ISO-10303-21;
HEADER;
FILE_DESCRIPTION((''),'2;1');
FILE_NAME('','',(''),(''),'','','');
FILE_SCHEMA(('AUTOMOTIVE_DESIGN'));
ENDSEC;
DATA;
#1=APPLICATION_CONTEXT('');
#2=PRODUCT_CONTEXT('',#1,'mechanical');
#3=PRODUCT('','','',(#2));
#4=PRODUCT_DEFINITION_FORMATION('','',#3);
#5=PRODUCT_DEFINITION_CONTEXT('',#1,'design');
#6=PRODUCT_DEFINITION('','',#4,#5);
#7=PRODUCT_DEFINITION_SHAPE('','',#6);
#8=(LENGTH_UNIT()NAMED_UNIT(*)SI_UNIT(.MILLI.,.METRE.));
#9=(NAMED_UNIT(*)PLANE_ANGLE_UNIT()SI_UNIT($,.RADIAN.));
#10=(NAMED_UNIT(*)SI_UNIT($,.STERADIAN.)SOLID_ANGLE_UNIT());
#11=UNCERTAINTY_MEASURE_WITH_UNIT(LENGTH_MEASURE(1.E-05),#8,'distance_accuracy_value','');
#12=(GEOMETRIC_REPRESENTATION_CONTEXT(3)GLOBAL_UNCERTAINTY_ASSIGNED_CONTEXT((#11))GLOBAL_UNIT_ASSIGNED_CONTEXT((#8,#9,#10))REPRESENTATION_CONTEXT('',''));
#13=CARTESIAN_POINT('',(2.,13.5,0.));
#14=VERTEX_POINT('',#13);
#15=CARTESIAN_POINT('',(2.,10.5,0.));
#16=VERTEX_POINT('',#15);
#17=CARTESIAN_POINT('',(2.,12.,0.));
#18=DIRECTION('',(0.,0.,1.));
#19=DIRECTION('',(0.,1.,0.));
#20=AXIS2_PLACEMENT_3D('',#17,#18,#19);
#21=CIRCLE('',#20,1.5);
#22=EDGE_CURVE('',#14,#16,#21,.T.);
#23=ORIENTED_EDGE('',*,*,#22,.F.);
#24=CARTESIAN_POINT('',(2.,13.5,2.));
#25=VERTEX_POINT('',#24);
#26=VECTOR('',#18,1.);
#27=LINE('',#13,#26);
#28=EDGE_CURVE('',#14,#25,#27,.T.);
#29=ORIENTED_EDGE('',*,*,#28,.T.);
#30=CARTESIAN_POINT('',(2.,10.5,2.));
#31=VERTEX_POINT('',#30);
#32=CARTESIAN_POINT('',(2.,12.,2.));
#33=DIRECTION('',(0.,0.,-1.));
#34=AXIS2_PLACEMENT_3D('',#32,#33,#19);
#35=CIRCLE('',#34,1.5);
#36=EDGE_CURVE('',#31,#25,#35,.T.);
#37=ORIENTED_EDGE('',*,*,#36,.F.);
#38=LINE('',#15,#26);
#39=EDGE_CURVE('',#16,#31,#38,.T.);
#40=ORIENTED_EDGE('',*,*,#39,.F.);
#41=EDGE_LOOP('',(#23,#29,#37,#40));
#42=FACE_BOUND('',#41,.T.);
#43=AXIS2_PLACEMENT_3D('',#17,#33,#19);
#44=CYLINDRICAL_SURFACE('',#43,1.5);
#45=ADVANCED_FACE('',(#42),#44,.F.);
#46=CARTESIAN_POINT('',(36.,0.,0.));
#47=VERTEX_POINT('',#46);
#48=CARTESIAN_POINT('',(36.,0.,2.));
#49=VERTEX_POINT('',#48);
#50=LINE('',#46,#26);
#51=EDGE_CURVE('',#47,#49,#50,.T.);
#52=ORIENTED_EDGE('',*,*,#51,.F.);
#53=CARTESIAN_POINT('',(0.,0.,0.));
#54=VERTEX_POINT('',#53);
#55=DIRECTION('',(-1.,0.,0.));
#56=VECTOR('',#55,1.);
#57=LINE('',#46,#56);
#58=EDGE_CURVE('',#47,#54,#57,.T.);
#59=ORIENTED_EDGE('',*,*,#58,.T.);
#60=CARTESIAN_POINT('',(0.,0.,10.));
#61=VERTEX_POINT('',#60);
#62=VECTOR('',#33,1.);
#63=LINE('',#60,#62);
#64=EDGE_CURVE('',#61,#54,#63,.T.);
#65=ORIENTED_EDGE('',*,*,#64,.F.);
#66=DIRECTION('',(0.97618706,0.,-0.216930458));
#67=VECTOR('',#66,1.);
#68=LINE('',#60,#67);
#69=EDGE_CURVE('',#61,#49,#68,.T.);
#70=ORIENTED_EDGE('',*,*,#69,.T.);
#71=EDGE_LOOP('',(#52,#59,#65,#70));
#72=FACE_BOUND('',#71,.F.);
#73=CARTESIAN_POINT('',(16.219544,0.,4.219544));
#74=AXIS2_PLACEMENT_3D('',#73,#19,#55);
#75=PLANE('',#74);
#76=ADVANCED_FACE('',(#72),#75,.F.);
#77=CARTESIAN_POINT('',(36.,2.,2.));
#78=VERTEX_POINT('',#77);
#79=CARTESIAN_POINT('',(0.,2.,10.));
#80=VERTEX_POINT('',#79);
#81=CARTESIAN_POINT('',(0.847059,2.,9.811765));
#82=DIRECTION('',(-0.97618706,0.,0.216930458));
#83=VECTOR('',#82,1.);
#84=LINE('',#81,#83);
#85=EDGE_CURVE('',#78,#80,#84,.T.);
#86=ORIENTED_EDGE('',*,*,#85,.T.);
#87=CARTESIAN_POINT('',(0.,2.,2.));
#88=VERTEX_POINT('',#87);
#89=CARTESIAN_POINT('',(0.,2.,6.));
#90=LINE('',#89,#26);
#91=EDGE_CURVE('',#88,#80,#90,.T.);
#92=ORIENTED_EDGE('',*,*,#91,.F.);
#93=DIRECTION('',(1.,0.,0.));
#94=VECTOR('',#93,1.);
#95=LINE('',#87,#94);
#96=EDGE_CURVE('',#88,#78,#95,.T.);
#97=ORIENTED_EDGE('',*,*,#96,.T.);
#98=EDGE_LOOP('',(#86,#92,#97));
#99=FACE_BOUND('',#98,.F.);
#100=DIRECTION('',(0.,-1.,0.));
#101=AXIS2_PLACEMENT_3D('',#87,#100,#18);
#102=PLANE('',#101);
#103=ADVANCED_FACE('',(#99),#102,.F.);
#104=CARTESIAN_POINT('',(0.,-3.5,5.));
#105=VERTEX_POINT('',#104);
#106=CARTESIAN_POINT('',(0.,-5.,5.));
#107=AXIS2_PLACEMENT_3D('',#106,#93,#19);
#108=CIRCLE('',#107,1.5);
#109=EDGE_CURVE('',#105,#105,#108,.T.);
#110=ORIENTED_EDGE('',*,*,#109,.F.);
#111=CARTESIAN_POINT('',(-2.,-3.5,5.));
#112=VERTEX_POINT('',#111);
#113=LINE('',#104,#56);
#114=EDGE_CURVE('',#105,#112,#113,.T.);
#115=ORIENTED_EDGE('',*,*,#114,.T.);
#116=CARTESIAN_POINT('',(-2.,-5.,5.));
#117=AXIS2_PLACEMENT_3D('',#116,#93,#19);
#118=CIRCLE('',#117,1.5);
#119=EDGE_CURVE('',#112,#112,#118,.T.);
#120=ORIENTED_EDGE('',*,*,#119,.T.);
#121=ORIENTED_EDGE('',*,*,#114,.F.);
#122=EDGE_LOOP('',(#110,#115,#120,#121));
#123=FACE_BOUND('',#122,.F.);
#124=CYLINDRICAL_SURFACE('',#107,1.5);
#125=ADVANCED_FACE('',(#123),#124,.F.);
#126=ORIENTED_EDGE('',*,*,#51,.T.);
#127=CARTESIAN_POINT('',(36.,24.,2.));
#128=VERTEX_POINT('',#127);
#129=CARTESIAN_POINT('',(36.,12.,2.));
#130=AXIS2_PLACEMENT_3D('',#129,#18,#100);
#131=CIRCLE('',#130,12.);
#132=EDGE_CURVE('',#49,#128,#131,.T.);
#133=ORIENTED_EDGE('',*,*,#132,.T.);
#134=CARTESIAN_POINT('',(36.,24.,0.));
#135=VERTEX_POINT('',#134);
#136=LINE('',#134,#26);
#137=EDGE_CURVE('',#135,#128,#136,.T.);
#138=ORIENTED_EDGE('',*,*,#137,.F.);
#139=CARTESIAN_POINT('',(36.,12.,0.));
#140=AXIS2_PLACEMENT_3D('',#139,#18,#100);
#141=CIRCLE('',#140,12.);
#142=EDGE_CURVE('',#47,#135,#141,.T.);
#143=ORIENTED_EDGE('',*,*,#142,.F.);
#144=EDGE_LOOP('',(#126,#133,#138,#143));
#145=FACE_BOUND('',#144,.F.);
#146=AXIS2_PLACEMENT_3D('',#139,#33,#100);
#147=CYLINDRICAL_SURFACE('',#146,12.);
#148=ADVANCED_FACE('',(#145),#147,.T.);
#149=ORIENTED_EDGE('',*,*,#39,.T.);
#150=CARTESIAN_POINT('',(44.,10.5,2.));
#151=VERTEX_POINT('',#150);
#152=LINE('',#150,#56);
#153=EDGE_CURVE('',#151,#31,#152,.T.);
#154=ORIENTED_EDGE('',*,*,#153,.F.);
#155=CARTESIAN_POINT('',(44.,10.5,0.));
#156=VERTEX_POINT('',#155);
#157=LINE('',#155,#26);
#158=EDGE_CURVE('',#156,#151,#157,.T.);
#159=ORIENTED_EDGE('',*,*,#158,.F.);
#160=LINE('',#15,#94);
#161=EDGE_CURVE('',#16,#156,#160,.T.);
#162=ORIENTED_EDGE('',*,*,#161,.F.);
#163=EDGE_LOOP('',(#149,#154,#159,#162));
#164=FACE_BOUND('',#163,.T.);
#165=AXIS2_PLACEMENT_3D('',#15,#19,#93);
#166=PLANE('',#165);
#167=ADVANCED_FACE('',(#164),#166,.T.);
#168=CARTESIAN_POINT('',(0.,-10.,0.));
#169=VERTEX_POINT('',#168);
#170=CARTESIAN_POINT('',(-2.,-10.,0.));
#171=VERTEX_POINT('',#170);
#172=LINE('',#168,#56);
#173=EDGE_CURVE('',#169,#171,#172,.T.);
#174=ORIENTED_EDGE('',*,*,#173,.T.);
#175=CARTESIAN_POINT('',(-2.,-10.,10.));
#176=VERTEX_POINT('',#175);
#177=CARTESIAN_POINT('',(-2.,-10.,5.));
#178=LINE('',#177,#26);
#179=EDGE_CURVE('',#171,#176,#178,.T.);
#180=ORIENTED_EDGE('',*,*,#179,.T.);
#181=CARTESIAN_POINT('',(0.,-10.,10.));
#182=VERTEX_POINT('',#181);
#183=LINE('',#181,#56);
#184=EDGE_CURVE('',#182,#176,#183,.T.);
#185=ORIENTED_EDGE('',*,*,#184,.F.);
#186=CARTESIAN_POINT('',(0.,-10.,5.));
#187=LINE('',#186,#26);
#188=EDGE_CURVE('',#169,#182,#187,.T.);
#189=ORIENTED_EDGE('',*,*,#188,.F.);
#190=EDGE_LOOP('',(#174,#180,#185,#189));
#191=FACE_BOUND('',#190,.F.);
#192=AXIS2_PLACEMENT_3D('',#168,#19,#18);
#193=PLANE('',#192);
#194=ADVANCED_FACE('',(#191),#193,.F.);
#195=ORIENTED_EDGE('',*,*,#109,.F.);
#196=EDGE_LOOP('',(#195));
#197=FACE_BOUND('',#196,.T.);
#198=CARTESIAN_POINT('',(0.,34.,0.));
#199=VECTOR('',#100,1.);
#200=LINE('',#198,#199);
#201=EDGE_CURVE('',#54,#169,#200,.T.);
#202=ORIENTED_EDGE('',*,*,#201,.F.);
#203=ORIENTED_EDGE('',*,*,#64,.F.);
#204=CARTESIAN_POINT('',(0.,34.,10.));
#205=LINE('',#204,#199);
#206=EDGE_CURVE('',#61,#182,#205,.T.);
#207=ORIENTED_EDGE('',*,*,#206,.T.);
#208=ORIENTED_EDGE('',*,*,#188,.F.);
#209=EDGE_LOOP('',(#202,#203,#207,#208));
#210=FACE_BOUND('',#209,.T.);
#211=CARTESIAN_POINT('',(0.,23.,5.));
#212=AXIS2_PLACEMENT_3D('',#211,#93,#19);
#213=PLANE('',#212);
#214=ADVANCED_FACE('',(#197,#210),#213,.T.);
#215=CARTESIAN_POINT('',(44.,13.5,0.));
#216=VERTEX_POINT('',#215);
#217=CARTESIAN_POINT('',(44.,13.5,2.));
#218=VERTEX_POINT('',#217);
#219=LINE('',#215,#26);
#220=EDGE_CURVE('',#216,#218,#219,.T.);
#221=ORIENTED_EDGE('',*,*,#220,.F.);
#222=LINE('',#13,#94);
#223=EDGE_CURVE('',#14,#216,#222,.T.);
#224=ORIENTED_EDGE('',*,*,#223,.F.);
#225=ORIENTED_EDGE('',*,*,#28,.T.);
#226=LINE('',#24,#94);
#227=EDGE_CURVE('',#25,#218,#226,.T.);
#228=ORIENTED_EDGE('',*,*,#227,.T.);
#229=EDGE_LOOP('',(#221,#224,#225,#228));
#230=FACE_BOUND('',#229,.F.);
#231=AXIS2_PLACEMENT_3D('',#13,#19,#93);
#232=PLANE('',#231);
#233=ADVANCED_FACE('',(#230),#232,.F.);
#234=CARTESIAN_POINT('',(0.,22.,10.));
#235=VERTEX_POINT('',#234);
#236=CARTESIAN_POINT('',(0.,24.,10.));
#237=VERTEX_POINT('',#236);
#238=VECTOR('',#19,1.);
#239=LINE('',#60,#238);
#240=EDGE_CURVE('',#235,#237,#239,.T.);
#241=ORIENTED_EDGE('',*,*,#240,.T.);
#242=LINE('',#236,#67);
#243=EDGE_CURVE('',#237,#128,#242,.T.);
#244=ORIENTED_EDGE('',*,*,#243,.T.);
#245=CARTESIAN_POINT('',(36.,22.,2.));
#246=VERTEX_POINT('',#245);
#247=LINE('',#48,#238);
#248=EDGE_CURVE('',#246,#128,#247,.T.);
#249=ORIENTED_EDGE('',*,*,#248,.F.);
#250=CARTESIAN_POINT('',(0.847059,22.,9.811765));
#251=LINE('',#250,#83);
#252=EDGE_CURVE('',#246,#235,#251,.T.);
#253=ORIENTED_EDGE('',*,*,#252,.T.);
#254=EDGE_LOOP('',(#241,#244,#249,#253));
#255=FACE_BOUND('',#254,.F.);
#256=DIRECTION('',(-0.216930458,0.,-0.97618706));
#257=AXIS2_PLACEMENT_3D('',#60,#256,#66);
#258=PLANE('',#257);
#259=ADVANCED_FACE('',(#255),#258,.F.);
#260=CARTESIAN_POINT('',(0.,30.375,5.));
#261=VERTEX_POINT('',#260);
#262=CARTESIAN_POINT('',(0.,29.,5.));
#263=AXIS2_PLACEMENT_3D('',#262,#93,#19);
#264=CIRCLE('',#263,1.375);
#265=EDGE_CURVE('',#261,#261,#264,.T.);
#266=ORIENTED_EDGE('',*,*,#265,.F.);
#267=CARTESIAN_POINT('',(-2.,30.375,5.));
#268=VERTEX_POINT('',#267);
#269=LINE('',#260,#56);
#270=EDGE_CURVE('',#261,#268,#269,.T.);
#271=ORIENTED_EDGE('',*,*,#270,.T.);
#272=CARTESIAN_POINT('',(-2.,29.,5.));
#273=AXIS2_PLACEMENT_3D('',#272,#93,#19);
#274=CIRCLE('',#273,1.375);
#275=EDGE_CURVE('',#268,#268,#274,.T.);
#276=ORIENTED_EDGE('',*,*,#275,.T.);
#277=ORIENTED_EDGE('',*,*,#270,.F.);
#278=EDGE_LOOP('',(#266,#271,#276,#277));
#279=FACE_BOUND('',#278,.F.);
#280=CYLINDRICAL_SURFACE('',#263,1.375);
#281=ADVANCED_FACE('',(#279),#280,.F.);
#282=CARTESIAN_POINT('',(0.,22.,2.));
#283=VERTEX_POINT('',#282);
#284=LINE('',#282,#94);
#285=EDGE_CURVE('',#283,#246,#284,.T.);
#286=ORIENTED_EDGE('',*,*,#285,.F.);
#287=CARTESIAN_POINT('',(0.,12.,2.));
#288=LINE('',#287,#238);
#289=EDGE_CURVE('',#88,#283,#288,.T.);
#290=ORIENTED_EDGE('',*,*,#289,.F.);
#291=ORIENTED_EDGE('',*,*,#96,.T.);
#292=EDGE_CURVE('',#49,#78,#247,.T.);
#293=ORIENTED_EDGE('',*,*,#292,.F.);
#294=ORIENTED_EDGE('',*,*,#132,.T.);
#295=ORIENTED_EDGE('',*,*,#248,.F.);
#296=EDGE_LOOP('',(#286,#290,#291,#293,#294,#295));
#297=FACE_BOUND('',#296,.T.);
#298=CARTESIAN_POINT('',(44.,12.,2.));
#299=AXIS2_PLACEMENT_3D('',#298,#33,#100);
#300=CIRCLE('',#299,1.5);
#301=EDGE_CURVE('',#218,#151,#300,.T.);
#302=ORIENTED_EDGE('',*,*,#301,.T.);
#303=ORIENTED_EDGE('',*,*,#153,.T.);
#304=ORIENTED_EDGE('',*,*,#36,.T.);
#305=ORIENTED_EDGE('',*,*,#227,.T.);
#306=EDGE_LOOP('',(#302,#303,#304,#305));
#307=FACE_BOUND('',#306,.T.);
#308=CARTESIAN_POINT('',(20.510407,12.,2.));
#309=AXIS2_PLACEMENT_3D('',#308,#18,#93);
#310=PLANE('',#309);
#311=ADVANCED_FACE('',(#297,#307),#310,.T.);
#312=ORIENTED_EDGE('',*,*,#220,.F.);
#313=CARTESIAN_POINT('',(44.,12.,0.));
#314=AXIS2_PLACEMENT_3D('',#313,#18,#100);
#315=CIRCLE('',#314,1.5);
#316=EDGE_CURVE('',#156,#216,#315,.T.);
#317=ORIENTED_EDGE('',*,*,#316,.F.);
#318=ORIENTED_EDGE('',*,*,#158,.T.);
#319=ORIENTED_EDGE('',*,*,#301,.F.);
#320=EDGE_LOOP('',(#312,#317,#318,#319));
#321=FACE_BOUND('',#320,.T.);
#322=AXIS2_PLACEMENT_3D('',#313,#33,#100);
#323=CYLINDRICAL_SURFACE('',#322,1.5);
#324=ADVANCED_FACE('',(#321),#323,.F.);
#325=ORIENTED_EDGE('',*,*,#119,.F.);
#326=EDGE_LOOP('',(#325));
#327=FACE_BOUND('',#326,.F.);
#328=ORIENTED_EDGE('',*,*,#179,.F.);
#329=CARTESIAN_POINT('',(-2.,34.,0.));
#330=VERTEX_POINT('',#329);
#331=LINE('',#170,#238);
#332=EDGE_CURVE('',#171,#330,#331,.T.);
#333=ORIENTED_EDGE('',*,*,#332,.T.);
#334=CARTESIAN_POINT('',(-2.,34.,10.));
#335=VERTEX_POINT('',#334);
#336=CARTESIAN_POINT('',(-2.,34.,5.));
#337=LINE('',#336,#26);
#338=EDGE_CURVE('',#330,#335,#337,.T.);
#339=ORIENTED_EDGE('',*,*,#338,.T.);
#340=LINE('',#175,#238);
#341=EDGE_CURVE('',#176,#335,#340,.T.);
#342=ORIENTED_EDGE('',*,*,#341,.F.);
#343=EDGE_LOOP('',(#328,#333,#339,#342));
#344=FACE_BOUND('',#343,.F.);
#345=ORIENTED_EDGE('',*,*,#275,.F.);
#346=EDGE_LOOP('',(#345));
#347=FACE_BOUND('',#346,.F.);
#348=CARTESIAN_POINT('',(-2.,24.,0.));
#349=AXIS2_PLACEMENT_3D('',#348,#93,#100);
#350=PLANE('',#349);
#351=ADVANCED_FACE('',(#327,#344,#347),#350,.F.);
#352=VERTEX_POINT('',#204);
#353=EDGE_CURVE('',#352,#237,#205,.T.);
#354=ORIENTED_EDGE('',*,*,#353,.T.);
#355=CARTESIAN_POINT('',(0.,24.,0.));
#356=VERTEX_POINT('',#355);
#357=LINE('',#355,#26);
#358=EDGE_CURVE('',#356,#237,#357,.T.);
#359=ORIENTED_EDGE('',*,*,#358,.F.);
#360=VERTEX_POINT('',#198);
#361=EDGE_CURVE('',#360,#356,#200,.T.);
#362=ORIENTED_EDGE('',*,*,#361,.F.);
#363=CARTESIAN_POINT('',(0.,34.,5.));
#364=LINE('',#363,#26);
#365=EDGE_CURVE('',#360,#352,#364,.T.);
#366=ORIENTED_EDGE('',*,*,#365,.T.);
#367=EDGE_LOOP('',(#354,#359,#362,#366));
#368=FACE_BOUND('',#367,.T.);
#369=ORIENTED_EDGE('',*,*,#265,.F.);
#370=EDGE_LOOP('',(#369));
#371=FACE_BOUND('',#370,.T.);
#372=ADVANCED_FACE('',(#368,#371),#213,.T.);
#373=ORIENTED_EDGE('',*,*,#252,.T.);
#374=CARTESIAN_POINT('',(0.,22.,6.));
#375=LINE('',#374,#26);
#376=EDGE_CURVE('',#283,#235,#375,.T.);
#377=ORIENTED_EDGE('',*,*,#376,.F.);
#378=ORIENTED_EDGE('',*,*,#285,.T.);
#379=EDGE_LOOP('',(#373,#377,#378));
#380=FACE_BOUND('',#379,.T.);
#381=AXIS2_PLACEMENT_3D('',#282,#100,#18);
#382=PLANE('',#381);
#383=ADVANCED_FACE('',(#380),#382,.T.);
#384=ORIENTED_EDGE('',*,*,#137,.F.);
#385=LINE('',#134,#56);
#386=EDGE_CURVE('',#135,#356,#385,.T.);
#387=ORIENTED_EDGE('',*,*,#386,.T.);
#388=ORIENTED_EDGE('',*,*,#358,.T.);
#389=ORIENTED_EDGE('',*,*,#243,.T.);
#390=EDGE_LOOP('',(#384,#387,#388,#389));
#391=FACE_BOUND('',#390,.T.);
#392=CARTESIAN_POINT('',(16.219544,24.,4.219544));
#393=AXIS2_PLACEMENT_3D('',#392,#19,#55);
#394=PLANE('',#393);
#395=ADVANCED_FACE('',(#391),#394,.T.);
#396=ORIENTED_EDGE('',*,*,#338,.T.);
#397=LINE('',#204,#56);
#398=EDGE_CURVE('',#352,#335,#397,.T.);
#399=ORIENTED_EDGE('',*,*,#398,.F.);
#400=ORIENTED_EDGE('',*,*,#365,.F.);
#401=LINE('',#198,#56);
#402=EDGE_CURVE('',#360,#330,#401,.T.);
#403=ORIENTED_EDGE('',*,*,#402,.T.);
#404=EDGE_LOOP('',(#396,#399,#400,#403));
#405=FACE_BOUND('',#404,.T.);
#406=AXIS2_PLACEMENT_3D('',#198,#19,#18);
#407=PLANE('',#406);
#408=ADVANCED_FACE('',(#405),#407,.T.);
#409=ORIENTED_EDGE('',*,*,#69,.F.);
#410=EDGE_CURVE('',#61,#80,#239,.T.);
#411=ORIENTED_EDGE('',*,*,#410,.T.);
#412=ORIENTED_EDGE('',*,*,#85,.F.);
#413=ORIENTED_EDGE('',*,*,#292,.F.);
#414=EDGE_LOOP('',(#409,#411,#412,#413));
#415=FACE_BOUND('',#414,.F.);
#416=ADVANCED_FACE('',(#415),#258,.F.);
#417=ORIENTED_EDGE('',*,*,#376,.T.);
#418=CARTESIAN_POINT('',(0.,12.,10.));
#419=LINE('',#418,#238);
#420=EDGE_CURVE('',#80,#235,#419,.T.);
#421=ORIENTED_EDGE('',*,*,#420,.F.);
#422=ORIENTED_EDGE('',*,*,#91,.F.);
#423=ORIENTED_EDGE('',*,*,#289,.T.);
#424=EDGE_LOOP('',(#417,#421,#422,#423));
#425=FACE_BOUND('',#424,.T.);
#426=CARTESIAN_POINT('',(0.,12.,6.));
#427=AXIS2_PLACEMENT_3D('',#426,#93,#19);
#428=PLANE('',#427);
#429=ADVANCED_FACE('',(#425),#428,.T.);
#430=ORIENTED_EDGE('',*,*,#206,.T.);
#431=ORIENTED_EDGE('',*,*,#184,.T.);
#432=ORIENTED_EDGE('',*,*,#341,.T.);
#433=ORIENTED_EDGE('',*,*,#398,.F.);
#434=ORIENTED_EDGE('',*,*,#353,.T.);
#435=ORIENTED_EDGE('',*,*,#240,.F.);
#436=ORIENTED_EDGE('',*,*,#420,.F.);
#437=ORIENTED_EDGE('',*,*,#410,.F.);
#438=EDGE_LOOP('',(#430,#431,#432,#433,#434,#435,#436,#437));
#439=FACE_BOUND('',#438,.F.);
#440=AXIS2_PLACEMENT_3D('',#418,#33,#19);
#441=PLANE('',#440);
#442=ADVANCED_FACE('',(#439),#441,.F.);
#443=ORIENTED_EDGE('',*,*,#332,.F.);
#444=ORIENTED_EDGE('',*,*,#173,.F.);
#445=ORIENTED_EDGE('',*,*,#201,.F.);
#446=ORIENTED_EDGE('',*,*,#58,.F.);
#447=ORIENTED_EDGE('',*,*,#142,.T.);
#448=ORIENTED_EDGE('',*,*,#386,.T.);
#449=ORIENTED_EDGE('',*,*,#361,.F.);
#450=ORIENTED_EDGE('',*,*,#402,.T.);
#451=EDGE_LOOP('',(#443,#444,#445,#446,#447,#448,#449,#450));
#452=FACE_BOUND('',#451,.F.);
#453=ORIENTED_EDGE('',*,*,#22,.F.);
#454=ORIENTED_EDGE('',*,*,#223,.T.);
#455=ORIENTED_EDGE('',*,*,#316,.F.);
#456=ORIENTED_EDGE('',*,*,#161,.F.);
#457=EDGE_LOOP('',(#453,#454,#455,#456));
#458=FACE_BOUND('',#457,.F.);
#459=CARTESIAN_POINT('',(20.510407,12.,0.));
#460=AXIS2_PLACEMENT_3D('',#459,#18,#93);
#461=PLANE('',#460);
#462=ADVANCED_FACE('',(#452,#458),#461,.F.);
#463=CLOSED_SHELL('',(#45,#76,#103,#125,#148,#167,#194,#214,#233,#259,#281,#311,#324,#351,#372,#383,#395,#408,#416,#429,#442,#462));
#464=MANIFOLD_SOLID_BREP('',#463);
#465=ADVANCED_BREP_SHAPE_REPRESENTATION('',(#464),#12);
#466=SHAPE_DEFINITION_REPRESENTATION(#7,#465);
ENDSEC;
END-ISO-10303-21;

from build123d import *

# Parameters (mm, degrees)
SKETCH_W          = 22
SKETCH_H          = 10
PAD_DEPTH         = 2
SKETCH001_R       = 1.5
POCKET_DEPTH      = 2.001
POCKET_DEPTH_BACK = -0.001
SKETCH002_W       = 22
SKETCH002_H       = 10
PAD001_DEPTH      = 2
SKETCH003_R       = 1.375
POCKET001_DEPTH   = 2.001
PAD002_DEPTH      = 2
POCKET002_DEPTH   = 10.001
PAD003_DEPTH      = 24
SKETCH007_W       = 20
SKETCH007_H       = 8
POCKET003_DEPTH   = 48.001


with BuildPart() as part:
    # Sketch → Pad (new body)
    with BuildSketch(Plane.YZ):
        with Locations((1, 5)):
            Rectangle(SKETCH_W, SKETCH_H)
    extrude(amount=-PAD_DEPTH)

    # Sketch001 → Pocket (cut, two sides)
    with BuildSketch(Plane.YZ) as pocket_sk:
        with Locations((-5, 5)):
            Circle(SKETCH001_R)
    extrude(amount=-POCKET_DEPTH, mode=Mode.SUBTRACT)
    extrude(pocket_sk.sketch, amount=-POCKET_DEPTH_BACK, mode=Mode.SUBTRACT)

    # Sketch002 → Pad001 (join)
    with BuildSketch(Plane.YZ):
        with Locations((23, 5)):
            Rectangle(SKETCH002_W, SKETCH002_H)
    extrude(amount=-PAD001_DEPTH)

    # Sketch003 → Pocket001 (cut, through all)
    with BuildSketch(Plane.YZ):
        with Locations((29, 5)):
            Circle(SKETCH003_R)
    extrude(amount=-POCKET001_DEPTH, mode=Mode.SUBTRACT)

    # Sketch004 → Pad002 (join)
    with BuildSketch(Plane.XY):
        with BuildLine():
            ThreePointArc((36, 0), (48, 12), (36, 24))
            Line((36, 24), (-2, 24))
            Line((-2, 24), (-2, 0))
            Line((36, 0), (-2, 0))
        make_face()
    extrude(amount=PAD002_DEPTH)

    # Sketch005 → Pocket002 (cut, through all)
    with BuildSketch(Plane.XY):
        with BuildLine():
            ThreePointArc((2, 13.5), (0.5, 12), (2, 10.5))
            Line((2, 10.5), (44, 10.5))
            ThreePointArc((44, 10.5), (45.5, 12), (44, 13.5))
            Line((2, 13.5), (44, 13.5))
        make_face()
    extrude(amount=POCKET002_DEPTH, mode=Mode.SUBTRACT)

    # Sketch006 → Pad003 (join)
    with BuildSketch(Plane.XZ):
        Polygon((0, 10), (36, 2), (0, 2), align=None)
    extrude(amount=-PAD003_DEPTH)

    # Sketch007 → Pocket003 (cut, through all)
    with BuildSketch(Plane.YZ):
        with Locations((12, 6)):
            Rectangle(SKETCH007_W, SKETCH007_H)
    extrude(amount=POCKET003_DEPTH, mode=Mode.SUBTRACT)


solid = part.part
